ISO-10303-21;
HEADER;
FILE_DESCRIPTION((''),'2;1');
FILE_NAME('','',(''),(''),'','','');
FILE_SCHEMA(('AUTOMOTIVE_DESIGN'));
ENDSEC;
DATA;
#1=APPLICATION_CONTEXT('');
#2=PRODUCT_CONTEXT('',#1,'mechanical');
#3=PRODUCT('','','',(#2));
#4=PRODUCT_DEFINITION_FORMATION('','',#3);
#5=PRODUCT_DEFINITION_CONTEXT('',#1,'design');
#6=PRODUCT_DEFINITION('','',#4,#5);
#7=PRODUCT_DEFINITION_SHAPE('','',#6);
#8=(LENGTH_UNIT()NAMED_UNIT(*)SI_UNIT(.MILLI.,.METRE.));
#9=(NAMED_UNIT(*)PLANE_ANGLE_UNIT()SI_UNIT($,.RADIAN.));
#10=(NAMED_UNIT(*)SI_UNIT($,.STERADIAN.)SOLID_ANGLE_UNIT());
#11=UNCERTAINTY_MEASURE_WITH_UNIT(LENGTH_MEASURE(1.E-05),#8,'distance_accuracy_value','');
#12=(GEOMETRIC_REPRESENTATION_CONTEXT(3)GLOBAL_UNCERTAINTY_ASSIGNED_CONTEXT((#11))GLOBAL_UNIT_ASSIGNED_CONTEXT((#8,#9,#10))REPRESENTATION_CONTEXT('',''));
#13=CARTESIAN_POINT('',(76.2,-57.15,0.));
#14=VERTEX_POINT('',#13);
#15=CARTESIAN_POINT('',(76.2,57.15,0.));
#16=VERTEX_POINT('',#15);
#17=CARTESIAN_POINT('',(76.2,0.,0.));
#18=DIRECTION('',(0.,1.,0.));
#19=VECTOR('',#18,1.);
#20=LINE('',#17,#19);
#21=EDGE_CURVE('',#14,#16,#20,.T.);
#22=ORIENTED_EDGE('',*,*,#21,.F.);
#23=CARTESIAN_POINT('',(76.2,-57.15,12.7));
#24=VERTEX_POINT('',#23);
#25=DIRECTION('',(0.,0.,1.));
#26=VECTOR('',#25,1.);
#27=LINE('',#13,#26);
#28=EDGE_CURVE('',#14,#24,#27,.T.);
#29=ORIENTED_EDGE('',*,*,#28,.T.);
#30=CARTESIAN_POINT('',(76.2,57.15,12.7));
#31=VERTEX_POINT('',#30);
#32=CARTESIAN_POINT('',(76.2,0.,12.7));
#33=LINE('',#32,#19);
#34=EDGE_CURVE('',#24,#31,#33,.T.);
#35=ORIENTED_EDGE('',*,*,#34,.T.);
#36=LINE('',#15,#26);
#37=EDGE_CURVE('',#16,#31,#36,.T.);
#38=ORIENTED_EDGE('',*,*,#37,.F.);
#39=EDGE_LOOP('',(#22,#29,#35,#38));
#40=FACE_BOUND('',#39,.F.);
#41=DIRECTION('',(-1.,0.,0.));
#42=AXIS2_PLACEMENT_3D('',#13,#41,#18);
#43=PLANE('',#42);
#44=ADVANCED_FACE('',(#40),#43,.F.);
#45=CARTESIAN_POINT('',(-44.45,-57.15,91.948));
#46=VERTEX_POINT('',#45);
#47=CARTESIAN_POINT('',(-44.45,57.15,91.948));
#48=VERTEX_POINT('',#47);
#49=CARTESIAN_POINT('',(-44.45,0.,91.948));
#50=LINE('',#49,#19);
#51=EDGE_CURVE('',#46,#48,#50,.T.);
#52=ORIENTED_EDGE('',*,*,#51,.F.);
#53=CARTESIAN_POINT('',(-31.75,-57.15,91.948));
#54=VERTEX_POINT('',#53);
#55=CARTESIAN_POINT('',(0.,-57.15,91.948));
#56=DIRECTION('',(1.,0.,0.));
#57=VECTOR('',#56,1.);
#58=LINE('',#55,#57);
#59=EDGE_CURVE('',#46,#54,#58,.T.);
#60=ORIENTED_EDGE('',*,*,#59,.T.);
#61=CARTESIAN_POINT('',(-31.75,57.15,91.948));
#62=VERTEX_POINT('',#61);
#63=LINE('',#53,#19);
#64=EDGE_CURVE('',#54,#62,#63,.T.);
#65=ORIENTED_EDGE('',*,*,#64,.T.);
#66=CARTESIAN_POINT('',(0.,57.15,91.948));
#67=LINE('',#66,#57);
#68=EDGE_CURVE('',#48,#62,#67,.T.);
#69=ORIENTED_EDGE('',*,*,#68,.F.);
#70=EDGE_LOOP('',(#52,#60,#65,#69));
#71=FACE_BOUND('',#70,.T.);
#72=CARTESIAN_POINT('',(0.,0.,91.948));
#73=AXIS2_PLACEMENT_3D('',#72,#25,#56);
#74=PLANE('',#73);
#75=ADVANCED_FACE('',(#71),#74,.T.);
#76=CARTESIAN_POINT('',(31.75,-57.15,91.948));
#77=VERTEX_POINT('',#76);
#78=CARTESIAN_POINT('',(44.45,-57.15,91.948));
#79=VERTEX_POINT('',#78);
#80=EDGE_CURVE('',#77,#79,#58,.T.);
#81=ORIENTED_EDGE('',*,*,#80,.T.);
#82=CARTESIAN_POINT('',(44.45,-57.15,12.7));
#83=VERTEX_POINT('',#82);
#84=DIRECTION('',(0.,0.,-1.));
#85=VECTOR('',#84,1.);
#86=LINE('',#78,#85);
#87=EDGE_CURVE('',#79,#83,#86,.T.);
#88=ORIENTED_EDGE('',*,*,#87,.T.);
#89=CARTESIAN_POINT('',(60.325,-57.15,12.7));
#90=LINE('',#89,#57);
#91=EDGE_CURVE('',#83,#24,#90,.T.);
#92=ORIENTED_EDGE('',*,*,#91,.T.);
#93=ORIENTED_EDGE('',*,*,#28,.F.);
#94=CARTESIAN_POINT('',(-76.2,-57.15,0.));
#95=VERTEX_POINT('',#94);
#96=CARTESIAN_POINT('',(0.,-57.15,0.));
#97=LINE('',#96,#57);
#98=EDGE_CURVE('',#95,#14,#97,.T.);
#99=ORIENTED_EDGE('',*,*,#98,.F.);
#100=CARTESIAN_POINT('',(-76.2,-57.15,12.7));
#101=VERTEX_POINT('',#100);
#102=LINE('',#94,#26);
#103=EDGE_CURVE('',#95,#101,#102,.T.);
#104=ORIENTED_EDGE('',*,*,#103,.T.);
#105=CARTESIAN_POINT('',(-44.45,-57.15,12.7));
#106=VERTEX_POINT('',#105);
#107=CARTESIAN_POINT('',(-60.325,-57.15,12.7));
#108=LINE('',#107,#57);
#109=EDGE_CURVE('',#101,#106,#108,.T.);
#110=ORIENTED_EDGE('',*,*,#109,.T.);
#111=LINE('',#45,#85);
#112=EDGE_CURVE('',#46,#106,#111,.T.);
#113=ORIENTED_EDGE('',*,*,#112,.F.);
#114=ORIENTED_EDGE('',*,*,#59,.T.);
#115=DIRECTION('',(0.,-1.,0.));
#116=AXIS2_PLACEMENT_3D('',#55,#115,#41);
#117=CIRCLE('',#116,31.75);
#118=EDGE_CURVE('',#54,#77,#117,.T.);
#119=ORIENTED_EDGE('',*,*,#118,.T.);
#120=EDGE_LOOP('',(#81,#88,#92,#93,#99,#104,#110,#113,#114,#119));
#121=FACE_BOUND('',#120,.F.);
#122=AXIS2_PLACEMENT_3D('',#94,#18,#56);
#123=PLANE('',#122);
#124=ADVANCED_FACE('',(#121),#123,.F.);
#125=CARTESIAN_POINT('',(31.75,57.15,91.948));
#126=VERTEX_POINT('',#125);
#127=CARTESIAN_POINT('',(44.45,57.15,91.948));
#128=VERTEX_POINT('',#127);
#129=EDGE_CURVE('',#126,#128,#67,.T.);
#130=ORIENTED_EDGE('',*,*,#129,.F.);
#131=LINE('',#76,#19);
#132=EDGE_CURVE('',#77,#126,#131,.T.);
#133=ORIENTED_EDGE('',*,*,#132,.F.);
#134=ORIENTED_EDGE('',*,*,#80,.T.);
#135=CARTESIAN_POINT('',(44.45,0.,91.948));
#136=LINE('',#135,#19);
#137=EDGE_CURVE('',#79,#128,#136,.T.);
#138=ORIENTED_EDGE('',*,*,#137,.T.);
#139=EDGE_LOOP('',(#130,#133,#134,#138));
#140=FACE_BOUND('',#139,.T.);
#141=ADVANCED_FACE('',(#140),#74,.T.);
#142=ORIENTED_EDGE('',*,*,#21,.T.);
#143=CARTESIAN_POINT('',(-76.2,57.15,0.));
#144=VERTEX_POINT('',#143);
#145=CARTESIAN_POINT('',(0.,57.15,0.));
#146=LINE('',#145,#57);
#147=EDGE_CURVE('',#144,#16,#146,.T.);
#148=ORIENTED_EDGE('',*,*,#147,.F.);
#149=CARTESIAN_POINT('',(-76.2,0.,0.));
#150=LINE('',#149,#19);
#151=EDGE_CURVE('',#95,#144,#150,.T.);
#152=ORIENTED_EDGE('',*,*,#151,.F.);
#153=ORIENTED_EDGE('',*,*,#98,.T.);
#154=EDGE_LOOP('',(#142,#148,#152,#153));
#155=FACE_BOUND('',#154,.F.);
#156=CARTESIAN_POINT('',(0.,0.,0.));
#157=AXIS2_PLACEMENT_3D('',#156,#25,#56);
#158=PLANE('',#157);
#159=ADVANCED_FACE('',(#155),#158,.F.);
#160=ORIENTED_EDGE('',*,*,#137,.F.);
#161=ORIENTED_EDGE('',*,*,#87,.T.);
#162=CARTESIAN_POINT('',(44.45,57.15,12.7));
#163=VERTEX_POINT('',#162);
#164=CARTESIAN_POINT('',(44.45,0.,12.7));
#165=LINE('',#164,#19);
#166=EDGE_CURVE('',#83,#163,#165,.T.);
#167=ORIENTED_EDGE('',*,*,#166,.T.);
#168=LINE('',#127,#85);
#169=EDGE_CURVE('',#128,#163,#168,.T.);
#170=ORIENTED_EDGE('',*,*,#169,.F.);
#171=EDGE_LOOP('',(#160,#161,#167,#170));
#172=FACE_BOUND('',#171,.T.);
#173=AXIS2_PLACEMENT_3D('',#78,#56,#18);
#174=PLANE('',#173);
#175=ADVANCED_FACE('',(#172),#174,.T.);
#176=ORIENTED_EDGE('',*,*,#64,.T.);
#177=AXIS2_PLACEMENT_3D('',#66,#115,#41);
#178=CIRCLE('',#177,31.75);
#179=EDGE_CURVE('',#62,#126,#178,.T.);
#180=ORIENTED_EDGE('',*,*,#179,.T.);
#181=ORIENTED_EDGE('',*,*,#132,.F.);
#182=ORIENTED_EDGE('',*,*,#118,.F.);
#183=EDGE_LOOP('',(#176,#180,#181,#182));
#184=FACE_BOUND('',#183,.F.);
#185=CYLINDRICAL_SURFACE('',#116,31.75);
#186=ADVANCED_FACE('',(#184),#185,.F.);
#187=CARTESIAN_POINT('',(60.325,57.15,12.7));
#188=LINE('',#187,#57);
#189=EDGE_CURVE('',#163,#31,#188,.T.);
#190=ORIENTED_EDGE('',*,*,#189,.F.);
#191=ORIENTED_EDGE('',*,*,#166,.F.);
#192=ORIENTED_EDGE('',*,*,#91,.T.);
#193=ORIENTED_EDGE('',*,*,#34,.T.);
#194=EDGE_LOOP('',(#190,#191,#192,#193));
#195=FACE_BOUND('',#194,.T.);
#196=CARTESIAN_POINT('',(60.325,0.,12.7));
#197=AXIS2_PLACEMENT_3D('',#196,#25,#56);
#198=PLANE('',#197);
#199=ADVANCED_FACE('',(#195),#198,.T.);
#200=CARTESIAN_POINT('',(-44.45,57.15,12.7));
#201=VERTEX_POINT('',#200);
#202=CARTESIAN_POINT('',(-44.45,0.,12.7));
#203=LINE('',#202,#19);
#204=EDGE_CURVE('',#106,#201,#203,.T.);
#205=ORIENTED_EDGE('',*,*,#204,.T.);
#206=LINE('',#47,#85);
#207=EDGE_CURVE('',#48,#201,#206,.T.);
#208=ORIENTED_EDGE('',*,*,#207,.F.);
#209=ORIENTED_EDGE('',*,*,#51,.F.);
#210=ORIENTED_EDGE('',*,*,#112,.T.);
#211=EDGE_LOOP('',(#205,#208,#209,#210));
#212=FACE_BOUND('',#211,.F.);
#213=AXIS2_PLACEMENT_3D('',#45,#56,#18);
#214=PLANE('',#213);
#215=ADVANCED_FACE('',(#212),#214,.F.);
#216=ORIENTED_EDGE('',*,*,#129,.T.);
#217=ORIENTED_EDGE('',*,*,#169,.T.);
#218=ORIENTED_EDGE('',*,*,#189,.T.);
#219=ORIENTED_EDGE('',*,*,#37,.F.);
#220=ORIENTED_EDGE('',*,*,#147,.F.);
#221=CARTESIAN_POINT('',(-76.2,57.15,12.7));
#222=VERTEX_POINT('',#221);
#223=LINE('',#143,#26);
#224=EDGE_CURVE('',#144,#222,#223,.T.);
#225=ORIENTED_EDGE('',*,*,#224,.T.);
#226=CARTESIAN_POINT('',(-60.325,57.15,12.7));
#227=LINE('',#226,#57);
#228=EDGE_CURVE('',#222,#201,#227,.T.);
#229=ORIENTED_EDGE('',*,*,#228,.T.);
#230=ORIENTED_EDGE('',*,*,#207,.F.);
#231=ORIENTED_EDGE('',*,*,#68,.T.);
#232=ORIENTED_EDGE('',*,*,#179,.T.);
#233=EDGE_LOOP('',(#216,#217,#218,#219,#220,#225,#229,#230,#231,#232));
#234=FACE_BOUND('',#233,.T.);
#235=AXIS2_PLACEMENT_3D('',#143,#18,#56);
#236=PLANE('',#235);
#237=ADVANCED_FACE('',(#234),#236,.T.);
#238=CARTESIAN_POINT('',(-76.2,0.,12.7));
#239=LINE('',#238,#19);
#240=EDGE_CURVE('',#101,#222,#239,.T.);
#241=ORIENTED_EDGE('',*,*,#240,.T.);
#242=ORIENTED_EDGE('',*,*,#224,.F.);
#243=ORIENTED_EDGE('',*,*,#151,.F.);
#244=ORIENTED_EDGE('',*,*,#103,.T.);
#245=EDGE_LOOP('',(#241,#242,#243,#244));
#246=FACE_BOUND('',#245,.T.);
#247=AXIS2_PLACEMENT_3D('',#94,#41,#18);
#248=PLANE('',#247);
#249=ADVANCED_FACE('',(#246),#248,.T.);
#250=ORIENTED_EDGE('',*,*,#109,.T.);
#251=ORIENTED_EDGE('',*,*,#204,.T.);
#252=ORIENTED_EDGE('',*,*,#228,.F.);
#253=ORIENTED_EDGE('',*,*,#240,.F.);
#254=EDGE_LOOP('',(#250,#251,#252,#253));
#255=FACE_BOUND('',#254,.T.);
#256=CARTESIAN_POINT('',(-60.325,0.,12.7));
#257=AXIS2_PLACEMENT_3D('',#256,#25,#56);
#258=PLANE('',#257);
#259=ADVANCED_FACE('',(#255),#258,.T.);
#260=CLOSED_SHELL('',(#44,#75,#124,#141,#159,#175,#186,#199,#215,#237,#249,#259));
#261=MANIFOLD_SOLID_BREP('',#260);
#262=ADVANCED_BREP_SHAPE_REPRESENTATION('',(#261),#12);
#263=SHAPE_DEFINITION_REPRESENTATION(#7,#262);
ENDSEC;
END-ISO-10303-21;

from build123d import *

# Parameters (mm, degrees)
F0_W     = 152.4
F0_H     = 114.3
F1_DEPTH = 91.948
F3_DEPTH = 175.38727
F4_W     = 31.75
F4_H     = 114.3
F5_DEPTH = 79.248
F6_W     = 31.75
F6_H     = 114.3
F7_DEPTH = 79.248


with BuildPart() as f1:
    # F0 (on Top) → F1 (new body)
    with BuildSketch(Plane.XY):
        Rectangle(F0_W, F0_H)
    extrude(amount=F1_DEPTH)

    # F2 (on face) → F3 (cut)
    with BuildSketch(Plane.XZ.offset(57.15)):
        with BuildLine():
            Line((31.75, 91.948), (-31.75, 91.948))
            ThreePointArc((-31.75, 91.948), (0, 60.198), (31.75, 91.948))
        make_face()
    extrude(amount=-F3_DEPTH, mode=Mode.SUBTRACT)

    # F4 (on face) → F5 (cut)
    with BuildSketch(Plane.XY.offset(91.948)):
        with Locations((60.325, 0)):
            Rectangle(F4_W, F4_H)
    extrude(amount=-F5_DEPTH, mode=Mode.SUBTRACT)

    # F6 (on face) → F7 (cut)
    with BuildSketch(Plane.XY.offset(91.948)):
        with Locations((-60.325, 0)):
            Rectangle(F6_W, F6_H)
    extrude(amount=-F7_DEPTH, mode=Mode.SUBTRACT)


solid = f1.part
